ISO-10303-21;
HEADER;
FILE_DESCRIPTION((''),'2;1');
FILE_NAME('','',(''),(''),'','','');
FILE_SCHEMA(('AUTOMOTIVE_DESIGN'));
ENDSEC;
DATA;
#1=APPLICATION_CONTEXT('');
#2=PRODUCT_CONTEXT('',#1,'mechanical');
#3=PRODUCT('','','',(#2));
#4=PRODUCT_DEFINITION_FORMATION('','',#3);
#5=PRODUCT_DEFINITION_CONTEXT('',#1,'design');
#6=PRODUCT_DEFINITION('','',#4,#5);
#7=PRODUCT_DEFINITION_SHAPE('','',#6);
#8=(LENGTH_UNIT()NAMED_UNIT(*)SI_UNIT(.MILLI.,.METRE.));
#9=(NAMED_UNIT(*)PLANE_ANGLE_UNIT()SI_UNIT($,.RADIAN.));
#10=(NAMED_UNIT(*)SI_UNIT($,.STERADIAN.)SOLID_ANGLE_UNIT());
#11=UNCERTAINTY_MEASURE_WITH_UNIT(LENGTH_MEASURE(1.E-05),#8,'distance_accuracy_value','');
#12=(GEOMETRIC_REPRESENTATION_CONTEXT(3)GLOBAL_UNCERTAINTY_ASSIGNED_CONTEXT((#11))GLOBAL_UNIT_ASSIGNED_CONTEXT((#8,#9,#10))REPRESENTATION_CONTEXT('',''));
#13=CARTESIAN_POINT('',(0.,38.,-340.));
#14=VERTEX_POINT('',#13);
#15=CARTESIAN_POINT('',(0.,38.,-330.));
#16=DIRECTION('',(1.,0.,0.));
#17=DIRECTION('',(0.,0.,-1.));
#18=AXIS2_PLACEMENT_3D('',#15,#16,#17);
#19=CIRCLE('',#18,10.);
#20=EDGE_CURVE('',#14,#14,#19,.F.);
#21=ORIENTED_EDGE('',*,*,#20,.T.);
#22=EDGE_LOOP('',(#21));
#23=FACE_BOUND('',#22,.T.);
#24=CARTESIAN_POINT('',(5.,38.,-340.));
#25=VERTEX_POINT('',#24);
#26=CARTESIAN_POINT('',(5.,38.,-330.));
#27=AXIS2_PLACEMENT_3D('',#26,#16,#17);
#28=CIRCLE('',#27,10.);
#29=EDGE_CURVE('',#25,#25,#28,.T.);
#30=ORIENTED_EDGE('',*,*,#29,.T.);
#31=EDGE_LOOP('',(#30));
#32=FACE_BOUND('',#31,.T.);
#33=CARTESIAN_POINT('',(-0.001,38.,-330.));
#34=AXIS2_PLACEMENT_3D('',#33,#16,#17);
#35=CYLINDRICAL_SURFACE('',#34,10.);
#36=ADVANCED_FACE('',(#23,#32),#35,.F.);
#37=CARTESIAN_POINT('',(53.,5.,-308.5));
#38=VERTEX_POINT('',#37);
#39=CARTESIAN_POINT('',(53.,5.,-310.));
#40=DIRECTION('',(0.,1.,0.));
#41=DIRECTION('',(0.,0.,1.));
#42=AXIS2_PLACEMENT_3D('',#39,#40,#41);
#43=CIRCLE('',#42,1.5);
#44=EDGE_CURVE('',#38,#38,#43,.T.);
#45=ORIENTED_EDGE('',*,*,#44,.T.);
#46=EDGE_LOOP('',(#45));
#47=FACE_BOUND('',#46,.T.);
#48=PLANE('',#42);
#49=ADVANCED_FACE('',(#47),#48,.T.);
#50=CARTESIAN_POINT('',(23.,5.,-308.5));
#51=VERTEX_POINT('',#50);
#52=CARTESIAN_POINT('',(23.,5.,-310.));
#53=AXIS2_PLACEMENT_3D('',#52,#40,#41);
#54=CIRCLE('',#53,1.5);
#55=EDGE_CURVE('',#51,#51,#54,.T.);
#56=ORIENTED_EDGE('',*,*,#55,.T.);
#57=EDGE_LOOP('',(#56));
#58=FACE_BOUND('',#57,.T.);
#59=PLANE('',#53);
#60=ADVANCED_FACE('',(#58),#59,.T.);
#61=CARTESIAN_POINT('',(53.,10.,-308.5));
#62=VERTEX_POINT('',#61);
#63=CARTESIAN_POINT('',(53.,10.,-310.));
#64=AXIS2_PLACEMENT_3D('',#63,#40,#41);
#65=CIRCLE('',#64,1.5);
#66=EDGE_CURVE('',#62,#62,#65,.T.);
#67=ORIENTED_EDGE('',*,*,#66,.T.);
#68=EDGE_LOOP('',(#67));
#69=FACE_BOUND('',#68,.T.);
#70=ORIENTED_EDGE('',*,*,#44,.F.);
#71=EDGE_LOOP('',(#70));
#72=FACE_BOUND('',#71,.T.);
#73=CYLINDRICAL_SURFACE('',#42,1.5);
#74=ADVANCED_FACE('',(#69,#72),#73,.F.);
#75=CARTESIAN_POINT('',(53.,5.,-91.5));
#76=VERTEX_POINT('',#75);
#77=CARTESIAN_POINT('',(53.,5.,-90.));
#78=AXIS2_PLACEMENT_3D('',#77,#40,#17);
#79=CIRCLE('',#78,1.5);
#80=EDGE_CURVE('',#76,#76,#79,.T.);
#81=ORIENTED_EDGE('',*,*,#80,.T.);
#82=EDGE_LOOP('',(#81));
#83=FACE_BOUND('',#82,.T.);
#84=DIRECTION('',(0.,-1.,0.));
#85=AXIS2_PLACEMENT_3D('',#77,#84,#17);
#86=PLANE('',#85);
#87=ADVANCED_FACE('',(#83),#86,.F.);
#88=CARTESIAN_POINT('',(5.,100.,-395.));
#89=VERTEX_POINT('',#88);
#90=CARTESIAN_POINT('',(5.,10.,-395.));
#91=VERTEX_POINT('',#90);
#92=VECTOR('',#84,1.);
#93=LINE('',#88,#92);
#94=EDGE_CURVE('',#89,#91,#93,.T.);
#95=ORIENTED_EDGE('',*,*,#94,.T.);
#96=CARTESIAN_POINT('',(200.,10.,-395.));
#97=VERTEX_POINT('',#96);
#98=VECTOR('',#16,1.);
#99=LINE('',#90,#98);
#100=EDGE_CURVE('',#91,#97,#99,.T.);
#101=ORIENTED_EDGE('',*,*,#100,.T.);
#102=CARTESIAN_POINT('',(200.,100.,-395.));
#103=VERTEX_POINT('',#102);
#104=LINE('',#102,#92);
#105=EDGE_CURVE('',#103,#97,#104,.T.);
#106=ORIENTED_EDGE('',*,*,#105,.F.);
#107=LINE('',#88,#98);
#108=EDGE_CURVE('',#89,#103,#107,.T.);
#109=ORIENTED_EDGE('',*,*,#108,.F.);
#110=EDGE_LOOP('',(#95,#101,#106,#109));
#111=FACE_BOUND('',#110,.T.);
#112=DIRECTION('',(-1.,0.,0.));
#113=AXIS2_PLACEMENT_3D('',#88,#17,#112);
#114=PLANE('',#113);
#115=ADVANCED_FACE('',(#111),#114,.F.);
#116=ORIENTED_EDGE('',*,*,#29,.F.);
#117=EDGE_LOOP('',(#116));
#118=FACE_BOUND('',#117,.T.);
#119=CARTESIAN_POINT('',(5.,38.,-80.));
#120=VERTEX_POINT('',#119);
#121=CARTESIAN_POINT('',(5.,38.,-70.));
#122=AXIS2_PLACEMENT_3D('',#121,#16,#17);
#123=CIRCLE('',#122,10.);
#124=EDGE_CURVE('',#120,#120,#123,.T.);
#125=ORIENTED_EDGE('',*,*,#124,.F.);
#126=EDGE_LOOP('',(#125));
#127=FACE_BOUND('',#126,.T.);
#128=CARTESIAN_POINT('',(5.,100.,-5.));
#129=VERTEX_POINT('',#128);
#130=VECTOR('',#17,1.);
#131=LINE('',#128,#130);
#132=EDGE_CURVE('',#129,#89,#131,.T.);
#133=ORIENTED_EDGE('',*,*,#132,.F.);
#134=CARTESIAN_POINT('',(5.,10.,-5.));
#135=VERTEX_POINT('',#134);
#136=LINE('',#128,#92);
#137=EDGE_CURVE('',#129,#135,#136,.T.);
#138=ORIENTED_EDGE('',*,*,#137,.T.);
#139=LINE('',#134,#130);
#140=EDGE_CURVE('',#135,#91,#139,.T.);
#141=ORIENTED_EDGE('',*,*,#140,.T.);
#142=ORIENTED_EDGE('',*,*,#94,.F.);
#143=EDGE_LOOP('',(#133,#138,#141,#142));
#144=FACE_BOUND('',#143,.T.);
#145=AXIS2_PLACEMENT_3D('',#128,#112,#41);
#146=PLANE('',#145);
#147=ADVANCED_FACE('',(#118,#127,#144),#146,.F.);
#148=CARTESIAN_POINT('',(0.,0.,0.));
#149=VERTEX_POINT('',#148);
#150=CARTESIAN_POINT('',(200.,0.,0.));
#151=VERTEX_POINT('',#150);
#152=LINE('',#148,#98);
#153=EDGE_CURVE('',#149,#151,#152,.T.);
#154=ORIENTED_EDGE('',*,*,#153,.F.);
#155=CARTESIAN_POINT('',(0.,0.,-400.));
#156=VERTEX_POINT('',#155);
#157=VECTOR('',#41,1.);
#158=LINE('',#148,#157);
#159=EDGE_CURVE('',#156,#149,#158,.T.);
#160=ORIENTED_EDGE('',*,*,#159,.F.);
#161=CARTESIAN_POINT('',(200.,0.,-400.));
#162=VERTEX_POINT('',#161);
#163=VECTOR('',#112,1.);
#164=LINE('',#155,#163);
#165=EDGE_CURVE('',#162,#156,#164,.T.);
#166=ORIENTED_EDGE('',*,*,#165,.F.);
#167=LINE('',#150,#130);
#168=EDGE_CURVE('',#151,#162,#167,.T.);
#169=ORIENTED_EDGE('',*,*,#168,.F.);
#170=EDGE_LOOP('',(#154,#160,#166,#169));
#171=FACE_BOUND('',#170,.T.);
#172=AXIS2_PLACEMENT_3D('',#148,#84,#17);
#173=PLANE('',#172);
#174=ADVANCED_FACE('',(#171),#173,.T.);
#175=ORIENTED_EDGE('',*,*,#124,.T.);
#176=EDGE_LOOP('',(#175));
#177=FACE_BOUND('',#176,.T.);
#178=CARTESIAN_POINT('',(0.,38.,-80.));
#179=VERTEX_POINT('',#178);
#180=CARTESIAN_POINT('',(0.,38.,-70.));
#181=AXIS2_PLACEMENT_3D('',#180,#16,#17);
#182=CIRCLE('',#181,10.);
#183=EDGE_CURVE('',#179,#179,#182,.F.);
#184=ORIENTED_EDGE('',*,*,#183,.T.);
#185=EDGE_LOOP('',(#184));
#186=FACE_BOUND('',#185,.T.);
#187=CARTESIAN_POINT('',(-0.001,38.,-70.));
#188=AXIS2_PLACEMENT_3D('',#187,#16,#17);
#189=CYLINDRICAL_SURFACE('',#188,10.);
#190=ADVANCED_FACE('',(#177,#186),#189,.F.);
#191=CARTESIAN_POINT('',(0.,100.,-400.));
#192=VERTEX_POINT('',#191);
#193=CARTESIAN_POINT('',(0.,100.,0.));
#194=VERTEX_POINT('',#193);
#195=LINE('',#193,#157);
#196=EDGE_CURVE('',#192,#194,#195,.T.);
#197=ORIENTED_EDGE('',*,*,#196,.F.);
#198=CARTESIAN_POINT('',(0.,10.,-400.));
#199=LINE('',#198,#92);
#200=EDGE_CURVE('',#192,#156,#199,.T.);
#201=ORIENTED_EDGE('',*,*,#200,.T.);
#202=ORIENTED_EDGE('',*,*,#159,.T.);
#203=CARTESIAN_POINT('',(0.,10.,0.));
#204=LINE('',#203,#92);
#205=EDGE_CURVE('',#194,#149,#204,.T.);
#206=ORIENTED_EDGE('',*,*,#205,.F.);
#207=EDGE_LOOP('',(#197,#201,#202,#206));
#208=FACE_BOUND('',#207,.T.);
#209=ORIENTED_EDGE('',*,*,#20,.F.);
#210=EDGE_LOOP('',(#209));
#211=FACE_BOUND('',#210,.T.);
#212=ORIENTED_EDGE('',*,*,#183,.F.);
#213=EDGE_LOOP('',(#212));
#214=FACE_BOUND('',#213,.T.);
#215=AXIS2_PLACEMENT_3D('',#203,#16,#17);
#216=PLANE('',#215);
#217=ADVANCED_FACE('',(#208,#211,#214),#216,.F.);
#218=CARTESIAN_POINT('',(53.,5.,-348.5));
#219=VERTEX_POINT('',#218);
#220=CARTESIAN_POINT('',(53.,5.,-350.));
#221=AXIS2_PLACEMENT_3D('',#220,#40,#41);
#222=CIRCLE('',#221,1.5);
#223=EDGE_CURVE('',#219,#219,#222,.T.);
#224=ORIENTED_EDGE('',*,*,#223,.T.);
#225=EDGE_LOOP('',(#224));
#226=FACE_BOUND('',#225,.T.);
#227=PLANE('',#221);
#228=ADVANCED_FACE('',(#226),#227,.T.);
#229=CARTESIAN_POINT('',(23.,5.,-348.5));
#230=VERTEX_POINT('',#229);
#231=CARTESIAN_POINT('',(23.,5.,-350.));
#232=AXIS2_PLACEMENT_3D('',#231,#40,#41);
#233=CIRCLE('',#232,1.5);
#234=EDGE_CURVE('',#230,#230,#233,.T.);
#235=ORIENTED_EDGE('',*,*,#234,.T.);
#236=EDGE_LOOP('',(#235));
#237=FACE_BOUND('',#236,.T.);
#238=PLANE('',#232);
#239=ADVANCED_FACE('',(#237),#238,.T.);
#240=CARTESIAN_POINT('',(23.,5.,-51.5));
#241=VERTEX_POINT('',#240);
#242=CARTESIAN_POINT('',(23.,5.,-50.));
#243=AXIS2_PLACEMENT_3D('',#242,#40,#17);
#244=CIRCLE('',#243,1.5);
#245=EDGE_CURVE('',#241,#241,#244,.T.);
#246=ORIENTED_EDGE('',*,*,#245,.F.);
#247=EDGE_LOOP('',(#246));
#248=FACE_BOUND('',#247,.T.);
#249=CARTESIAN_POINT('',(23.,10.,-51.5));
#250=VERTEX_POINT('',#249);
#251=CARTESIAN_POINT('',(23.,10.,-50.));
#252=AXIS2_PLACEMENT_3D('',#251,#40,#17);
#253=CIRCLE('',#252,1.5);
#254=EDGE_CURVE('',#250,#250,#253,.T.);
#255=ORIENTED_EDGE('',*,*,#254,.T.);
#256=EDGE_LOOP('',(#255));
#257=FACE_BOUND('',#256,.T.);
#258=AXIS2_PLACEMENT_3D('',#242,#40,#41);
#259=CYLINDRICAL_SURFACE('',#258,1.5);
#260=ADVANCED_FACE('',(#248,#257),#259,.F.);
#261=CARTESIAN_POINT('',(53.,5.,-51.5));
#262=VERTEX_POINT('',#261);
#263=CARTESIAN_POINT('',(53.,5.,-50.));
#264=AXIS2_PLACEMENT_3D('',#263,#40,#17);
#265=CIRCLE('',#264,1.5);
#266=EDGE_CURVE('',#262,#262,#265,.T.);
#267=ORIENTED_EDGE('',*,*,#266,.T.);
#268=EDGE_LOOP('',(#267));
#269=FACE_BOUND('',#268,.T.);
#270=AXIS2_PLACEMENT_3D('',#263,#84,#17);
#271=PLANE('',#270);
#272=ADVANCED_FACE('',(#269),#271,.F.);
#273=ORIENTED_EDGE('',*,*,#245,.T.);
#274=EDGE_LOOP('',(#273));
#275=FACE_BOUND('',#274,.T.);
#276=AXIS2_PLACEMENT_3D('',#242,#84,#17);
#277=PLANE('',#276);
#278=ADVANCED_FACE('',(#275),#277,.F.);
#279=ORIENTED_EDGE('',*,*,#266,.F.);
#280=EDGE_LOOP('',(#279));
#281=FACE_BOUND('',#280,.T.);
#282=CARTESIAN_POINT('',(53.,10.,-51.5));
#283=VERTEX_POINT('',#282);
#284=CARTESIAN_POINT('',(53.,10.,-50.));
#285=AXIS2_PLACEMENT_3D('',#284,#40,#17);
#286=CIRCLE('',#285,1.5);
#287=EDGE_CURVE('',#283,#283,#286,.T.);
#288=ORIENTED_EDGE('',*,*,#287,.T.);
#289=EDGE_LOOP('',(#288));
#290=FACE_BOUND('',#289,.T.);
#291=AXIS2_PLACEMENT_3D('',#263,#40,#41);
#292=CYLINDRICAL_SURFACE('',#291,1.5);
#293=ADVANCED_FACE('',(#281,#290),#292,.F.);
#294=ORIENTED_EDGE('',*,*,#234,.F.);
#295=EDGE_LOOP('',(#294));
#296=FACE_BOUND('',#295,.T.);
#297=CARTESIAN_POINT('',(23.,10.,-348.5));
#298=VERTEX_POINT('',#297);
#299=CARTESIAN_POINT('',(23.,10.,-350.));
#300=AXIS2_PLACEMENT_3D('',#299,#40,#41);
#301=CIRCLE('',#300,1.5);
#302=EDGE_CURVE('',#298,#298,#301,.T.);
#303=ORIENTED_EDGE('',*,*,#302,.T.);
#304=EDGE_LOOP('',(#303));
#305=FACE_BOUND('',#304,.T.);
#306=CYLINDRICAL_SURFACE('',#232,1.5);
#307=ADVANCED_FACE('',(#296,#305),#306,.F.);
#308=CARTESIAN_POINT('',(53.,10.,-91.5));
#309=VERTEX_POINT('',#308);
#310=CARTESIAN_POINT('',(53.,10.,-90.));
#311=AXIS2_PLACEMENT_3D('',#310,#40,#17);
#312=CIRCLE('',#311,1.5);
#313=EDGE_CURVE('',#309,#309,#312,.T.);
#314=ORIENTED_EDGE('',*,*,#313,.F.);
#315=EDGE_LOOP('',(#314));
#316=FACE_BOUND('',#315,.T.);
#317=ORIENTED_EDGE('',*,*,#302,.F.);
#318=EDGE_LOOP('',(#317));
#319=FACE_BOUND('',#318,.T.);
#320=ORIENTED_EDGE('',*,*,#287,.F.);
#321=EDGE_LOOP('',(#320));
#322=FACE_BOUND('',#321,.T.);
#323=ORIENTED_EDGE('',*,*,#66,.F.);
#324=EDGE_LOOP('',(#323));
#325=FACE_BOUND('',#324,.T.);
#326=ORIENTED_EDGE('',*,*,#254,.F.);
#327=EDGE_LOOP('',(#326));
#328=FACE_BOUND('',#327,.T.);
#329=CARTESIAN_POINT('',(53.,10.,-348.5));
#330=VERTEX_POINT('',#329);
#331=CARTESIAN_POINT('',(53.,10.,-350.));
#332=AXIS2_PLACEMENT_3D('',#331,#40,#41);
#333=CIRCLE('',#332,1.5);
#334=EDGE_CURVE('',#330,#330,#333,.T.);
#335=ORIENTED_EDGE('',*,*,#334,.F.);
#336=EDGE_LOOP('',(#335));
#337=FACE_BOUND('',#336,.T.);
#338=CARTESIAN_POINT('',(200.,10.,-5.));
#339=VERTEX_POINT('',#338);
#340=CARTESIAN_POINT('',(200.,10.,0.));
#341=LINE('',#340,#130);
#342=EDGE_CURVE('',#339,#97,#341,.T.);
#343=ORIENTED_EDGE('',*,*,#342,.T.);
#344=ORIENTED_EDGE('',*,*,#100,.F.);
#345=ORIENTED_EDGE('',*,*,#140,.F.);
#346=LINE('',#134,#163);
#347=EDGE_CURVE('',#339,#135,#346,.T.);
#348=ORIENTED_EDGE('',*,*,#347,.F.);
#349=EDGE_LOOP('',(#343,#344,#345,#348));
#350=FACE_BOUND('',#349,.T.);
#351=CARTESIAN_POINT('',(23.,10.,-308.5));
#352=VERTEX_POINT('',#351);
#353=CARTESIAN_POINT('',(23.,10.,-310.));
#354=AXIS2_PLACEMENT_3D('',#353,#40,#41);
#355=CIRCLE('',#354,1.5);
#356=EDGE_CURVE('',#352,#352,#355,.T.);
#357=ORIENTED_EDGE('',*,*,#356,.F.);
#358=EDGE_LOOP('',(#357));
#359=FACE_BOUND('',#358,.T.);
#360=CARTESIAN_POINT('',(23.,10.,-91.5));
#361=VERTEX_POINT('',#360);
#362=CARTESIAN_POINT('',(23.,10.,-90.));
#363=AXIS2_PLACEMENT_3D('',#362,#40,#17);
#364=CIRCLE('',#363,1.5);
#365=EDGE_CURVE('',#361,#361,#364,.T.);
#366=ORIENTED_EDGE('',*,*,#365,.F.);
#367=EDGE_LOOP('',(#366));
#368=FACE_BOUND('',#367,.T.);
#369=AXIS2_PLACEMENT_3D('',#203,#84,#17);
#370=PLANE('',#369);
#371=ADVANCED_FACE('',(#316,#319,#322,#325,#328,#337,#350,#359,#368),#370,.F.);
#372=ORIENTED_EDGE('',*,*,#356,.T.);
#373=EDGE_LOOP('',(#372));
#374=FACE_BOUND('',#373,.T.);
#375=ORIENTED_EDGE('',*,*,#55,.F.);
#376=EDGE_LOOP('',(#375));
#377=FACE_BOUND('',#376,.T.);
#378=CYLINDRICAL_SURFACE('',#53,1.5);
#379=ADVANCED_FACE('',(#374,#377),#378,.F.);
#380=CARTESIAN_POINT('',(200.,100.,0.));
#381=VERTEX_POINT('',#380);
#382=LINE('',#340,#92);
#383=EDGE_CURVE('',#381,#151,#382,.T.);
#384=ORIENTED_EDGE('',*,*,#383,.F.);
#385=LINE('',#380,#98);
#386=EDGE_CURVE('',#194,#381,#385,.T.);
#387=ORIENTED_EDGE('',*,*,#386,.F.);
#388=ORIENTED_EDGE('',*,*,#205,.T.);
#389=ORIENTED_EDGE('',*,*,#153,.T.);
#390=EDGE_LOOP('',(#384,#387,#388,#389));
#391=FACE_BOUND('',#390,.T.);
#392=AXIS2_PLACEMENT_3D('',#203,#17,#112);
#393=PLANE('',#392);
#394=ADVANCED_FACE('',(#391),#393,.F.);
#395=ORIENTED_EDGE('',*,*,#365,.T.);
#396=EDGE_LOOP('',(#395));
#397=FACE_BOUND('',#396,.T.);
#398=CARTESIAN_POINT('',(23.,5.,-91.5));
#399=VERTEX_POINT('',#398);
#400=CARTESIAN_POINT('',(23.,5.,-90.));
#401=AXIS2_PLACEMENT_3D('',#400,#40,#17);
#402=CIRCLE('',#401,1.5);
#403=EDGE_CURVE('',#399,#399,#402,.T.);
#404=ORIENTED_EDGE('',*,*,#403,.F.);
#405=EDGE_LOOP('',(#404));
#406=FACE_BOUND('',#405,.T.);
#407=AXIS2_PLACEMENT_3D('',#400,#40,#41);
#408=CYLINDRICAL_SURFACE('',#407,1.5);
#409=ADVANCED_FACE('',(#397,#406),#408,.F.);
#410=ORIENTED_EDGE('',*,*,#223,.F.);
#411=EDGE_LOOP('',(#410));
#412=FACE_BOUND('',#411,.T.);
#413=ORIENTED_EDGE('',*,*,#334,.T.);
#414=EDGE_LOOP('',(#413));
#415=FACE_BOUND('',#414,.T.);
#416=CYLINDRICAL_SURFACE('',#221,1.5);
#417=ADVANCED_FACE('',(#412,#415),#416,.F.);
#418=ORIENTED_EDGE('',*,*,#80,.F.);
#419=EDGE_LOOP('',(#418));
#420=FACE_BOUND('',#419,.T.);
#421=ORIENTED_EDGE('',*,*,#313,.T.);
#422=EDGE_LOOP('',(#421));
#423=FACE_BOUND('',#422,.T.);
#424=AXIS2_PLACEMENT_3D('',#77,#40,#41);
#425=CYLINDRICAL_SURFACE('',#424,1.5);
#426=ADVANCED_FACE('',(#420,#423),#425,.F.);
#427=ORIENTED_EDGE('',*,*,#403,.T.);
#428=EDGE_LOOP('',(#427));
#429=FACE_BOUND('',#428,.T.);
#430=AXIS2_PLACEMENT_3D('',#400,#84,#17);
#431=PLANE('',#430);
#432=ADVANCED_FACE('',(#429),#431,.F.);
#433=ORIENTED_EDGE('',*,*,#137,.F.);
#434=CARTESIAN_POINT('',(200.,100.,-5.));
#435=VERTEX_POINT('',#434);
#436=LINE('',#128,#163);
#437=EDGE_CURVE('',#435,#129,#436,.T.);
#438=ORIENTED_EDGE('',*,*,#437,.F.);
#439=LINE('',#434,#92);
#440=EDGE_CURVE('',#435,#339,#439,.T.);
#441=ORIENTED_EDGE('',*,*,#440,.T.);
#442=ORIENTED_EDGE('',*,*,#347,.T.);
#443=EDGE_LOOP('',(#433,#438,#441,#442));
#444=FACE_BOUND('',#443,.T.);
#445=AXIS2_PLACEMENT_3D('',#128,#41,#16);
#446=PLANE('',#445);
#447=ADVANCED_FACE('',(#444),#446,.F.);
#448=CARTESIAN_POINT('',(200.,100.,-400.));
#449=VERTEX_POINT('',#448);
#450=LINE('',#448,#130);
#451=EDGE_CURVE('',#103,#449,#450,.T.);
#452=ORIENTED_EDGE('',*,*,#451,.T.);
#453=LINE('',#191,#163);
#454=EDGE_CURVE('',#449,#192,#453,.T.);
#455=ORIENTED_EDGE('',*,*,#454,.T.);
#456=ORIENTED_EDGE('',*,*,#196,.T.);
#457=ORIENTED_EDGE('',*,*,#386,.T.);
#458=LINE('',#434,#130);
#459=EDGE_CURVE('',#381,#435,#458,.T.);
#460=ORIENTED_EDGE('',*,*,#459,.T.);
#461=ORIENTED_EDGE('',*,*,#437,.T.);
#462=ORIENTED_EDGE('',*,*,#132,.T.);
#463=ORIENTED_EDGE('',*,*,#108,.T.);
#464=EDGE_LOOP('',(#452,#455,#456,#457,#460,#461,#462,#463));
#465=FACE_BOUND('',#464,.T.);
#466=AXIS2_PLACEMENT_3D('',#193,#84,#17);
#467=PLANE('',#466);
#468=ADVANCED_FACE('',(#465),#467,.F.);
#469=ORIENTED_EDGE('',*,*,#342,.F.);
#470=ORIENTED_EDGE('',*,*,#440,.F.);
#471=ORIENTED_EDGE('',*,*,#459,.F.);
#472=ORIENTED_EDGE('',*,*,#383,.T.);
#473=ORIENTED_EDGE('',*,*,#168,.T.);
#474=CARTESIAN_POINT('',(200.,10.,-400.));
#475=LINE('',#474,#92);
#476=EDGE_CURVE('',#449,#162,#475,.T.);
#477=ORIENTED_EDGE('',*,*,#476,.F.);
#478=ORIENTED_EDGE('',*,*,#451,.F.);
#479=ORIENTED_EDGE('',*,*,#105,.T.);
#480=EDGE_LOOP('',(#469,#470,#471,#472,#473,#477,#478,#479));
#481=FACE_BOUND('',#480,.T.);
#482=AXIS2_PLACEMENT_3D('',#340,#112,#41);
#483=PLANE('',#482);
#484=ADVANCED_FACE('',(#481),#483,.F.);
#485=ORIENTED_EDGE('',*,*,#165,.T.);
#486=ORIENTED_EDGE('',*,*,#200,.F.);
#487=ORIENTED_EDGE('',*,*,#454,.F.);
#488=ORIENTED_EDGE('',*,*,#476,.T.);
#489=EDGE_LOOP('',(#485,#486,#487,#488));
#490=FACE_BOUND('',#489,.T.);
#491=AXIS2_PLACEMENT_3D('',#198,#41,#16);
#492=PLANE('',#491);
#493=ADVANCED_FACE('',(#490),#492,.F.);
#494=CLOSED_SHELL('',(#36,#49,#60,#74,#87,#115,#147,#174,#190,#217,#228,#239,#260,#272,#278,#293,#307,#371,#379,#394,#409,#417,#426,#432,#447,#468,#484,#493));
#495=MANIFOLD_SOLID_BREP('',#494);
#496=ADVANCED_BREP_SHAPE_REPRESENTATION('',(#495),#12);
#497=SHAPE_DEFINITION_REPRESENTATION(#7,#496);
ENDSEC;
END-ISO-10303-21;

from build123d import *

# Parameters (mm, degrees)
ESQUISSE1_W             = 200
ESQUISSE1_H             = 400
BOSS_EXTRU_1_DEPTH      = 10
BOSS_EXTRU_2_DEPTH      = 90
ENL_V_MAT_EXTRU_1_REACH = 458.098
ESQUISSE3_R             = 10
ESQUISSE4_R             = 1.5
ENL_V_MAT_EXTRU_2_DEPTH = 5


with BuildPart() as part:
    # Esquisse1 → Boss.-Extru.1 (new body)
    with BuildSketch(Plane(origin=(0, 0, 0), x_dir=(1, 0, 0), z_dir=(0, 1, 0))):
        with Locations((100, 200)):
            Rectangle(ESQUISSE1_W, ESQUISSE1_H)
    extrude(amount=BOSS_EXTRU_1_DEPTH)

    # Esquisse2 → Boss.-Extru.2 (add)
    with BuildSketch(Plane(origin=(0, 10, 0), x_dir=(1, 0, 0), z_dir=(0, 1, 0))):
        Polygon((5, 5), (5, 395), (200, 395), (200, 400), (0, 400), (0, 0), (200, 0), (200, 5), align=None)
    extrude(amount=BOSS_EXTRU_2_DEPTH)

    # Esquisse3 → Enlèv. mat.-Extru.1 (cut, up to next)
    with BuildSketch(Plane(origin=(5, 0, 0), x_dir=(0, 0, -1), z_dir=(1, 0, 0)), mode=Mode.PRIVATE) as enl_v_mat_extru_1_sk1:
        with Locations((70, 38)):
            Circle(ESQUISSE3_R)
    enl_v_mat_extru_1_tool1 = extrude(enl_v_mat_extru_1_sk1.sketch, amount=-ENL_V_MAT_EXTRU_1_REACH, mode=Mode.PRIVATE) & part.part
    # Esquisse3 → Enlèv. mat.-Extru.1 (cut, up to next)
    with BuildSketch(Plane(origin=(5, 0, 0), x_dir=(0, 0, -1), z_dir=(1, 0, 0)), mode=Mode.PRIVATE) as enl_v_mat_extru_1_sk2:
        with Locations((330, 38)):
            Circle(ESQUISSE3_R)
    enl_v_mat_extru_1_tool2 = extrude(enl_v_mat_extru_1_sk2.sketch, amount=-ENL_V_MAT_EXTRU_1_REACH, mode=Mode.PRIVATE) & part.part
    add(enl_v_mat_extru_1_tool1.solids().sort_by_distance((5, 38, -70))[0], mode=Mode.SUBTRACT)
    add(enl_v_mat_extru_1_tool2.solids().sort_by_distance((5, 38, -330))[0], mode=Mode.SUBTRACT)

    # Esquisse4 → Enlèv. mat.-Extru.2 (cut)
    with BuildSketch(Plane(origin=(0, 10, 0), x_dir=(1, 0, 0), z_dir=(0, 1, 0))):
        with Locations(Location((23, 350, 0), (0, 0, 270))):
            Circle(ESQUISSE4_R)
        with Locations(Location((53, 350, 0), (0, 0, 270))):
            Circle(ESQUISSE4_R)
        with Locations(Location((53, 310, 0), (0, 0, 270))):
            Circle(ESQUISSE4_R)
        with Locations(Location((23, 310, 0), (0, 0, 270))):
            Circle(ESQUISSE4_R)
        with Locations(Location((23, 90, 0), (0, 0, 90))):
            Circle(ESQUISSE4_R)
        with Locations(Location((53, 90, 0), (0, 0, 90))):
            Circle(ESQUISSE4_R)
        with Locations(Location((53, 50, 0), (0, 0, 90))):
            Circle(ESQUISSE4_R)
        with Locations(Location((23, 50, 0), (0, 0, 90))):
            Circle(ESQUISSE4_R)
    extrude(amount=-ENL_V_MAT_EXTRU_2_DEPTH, mode=Mode.SUBTRACT)


solid = part.part
